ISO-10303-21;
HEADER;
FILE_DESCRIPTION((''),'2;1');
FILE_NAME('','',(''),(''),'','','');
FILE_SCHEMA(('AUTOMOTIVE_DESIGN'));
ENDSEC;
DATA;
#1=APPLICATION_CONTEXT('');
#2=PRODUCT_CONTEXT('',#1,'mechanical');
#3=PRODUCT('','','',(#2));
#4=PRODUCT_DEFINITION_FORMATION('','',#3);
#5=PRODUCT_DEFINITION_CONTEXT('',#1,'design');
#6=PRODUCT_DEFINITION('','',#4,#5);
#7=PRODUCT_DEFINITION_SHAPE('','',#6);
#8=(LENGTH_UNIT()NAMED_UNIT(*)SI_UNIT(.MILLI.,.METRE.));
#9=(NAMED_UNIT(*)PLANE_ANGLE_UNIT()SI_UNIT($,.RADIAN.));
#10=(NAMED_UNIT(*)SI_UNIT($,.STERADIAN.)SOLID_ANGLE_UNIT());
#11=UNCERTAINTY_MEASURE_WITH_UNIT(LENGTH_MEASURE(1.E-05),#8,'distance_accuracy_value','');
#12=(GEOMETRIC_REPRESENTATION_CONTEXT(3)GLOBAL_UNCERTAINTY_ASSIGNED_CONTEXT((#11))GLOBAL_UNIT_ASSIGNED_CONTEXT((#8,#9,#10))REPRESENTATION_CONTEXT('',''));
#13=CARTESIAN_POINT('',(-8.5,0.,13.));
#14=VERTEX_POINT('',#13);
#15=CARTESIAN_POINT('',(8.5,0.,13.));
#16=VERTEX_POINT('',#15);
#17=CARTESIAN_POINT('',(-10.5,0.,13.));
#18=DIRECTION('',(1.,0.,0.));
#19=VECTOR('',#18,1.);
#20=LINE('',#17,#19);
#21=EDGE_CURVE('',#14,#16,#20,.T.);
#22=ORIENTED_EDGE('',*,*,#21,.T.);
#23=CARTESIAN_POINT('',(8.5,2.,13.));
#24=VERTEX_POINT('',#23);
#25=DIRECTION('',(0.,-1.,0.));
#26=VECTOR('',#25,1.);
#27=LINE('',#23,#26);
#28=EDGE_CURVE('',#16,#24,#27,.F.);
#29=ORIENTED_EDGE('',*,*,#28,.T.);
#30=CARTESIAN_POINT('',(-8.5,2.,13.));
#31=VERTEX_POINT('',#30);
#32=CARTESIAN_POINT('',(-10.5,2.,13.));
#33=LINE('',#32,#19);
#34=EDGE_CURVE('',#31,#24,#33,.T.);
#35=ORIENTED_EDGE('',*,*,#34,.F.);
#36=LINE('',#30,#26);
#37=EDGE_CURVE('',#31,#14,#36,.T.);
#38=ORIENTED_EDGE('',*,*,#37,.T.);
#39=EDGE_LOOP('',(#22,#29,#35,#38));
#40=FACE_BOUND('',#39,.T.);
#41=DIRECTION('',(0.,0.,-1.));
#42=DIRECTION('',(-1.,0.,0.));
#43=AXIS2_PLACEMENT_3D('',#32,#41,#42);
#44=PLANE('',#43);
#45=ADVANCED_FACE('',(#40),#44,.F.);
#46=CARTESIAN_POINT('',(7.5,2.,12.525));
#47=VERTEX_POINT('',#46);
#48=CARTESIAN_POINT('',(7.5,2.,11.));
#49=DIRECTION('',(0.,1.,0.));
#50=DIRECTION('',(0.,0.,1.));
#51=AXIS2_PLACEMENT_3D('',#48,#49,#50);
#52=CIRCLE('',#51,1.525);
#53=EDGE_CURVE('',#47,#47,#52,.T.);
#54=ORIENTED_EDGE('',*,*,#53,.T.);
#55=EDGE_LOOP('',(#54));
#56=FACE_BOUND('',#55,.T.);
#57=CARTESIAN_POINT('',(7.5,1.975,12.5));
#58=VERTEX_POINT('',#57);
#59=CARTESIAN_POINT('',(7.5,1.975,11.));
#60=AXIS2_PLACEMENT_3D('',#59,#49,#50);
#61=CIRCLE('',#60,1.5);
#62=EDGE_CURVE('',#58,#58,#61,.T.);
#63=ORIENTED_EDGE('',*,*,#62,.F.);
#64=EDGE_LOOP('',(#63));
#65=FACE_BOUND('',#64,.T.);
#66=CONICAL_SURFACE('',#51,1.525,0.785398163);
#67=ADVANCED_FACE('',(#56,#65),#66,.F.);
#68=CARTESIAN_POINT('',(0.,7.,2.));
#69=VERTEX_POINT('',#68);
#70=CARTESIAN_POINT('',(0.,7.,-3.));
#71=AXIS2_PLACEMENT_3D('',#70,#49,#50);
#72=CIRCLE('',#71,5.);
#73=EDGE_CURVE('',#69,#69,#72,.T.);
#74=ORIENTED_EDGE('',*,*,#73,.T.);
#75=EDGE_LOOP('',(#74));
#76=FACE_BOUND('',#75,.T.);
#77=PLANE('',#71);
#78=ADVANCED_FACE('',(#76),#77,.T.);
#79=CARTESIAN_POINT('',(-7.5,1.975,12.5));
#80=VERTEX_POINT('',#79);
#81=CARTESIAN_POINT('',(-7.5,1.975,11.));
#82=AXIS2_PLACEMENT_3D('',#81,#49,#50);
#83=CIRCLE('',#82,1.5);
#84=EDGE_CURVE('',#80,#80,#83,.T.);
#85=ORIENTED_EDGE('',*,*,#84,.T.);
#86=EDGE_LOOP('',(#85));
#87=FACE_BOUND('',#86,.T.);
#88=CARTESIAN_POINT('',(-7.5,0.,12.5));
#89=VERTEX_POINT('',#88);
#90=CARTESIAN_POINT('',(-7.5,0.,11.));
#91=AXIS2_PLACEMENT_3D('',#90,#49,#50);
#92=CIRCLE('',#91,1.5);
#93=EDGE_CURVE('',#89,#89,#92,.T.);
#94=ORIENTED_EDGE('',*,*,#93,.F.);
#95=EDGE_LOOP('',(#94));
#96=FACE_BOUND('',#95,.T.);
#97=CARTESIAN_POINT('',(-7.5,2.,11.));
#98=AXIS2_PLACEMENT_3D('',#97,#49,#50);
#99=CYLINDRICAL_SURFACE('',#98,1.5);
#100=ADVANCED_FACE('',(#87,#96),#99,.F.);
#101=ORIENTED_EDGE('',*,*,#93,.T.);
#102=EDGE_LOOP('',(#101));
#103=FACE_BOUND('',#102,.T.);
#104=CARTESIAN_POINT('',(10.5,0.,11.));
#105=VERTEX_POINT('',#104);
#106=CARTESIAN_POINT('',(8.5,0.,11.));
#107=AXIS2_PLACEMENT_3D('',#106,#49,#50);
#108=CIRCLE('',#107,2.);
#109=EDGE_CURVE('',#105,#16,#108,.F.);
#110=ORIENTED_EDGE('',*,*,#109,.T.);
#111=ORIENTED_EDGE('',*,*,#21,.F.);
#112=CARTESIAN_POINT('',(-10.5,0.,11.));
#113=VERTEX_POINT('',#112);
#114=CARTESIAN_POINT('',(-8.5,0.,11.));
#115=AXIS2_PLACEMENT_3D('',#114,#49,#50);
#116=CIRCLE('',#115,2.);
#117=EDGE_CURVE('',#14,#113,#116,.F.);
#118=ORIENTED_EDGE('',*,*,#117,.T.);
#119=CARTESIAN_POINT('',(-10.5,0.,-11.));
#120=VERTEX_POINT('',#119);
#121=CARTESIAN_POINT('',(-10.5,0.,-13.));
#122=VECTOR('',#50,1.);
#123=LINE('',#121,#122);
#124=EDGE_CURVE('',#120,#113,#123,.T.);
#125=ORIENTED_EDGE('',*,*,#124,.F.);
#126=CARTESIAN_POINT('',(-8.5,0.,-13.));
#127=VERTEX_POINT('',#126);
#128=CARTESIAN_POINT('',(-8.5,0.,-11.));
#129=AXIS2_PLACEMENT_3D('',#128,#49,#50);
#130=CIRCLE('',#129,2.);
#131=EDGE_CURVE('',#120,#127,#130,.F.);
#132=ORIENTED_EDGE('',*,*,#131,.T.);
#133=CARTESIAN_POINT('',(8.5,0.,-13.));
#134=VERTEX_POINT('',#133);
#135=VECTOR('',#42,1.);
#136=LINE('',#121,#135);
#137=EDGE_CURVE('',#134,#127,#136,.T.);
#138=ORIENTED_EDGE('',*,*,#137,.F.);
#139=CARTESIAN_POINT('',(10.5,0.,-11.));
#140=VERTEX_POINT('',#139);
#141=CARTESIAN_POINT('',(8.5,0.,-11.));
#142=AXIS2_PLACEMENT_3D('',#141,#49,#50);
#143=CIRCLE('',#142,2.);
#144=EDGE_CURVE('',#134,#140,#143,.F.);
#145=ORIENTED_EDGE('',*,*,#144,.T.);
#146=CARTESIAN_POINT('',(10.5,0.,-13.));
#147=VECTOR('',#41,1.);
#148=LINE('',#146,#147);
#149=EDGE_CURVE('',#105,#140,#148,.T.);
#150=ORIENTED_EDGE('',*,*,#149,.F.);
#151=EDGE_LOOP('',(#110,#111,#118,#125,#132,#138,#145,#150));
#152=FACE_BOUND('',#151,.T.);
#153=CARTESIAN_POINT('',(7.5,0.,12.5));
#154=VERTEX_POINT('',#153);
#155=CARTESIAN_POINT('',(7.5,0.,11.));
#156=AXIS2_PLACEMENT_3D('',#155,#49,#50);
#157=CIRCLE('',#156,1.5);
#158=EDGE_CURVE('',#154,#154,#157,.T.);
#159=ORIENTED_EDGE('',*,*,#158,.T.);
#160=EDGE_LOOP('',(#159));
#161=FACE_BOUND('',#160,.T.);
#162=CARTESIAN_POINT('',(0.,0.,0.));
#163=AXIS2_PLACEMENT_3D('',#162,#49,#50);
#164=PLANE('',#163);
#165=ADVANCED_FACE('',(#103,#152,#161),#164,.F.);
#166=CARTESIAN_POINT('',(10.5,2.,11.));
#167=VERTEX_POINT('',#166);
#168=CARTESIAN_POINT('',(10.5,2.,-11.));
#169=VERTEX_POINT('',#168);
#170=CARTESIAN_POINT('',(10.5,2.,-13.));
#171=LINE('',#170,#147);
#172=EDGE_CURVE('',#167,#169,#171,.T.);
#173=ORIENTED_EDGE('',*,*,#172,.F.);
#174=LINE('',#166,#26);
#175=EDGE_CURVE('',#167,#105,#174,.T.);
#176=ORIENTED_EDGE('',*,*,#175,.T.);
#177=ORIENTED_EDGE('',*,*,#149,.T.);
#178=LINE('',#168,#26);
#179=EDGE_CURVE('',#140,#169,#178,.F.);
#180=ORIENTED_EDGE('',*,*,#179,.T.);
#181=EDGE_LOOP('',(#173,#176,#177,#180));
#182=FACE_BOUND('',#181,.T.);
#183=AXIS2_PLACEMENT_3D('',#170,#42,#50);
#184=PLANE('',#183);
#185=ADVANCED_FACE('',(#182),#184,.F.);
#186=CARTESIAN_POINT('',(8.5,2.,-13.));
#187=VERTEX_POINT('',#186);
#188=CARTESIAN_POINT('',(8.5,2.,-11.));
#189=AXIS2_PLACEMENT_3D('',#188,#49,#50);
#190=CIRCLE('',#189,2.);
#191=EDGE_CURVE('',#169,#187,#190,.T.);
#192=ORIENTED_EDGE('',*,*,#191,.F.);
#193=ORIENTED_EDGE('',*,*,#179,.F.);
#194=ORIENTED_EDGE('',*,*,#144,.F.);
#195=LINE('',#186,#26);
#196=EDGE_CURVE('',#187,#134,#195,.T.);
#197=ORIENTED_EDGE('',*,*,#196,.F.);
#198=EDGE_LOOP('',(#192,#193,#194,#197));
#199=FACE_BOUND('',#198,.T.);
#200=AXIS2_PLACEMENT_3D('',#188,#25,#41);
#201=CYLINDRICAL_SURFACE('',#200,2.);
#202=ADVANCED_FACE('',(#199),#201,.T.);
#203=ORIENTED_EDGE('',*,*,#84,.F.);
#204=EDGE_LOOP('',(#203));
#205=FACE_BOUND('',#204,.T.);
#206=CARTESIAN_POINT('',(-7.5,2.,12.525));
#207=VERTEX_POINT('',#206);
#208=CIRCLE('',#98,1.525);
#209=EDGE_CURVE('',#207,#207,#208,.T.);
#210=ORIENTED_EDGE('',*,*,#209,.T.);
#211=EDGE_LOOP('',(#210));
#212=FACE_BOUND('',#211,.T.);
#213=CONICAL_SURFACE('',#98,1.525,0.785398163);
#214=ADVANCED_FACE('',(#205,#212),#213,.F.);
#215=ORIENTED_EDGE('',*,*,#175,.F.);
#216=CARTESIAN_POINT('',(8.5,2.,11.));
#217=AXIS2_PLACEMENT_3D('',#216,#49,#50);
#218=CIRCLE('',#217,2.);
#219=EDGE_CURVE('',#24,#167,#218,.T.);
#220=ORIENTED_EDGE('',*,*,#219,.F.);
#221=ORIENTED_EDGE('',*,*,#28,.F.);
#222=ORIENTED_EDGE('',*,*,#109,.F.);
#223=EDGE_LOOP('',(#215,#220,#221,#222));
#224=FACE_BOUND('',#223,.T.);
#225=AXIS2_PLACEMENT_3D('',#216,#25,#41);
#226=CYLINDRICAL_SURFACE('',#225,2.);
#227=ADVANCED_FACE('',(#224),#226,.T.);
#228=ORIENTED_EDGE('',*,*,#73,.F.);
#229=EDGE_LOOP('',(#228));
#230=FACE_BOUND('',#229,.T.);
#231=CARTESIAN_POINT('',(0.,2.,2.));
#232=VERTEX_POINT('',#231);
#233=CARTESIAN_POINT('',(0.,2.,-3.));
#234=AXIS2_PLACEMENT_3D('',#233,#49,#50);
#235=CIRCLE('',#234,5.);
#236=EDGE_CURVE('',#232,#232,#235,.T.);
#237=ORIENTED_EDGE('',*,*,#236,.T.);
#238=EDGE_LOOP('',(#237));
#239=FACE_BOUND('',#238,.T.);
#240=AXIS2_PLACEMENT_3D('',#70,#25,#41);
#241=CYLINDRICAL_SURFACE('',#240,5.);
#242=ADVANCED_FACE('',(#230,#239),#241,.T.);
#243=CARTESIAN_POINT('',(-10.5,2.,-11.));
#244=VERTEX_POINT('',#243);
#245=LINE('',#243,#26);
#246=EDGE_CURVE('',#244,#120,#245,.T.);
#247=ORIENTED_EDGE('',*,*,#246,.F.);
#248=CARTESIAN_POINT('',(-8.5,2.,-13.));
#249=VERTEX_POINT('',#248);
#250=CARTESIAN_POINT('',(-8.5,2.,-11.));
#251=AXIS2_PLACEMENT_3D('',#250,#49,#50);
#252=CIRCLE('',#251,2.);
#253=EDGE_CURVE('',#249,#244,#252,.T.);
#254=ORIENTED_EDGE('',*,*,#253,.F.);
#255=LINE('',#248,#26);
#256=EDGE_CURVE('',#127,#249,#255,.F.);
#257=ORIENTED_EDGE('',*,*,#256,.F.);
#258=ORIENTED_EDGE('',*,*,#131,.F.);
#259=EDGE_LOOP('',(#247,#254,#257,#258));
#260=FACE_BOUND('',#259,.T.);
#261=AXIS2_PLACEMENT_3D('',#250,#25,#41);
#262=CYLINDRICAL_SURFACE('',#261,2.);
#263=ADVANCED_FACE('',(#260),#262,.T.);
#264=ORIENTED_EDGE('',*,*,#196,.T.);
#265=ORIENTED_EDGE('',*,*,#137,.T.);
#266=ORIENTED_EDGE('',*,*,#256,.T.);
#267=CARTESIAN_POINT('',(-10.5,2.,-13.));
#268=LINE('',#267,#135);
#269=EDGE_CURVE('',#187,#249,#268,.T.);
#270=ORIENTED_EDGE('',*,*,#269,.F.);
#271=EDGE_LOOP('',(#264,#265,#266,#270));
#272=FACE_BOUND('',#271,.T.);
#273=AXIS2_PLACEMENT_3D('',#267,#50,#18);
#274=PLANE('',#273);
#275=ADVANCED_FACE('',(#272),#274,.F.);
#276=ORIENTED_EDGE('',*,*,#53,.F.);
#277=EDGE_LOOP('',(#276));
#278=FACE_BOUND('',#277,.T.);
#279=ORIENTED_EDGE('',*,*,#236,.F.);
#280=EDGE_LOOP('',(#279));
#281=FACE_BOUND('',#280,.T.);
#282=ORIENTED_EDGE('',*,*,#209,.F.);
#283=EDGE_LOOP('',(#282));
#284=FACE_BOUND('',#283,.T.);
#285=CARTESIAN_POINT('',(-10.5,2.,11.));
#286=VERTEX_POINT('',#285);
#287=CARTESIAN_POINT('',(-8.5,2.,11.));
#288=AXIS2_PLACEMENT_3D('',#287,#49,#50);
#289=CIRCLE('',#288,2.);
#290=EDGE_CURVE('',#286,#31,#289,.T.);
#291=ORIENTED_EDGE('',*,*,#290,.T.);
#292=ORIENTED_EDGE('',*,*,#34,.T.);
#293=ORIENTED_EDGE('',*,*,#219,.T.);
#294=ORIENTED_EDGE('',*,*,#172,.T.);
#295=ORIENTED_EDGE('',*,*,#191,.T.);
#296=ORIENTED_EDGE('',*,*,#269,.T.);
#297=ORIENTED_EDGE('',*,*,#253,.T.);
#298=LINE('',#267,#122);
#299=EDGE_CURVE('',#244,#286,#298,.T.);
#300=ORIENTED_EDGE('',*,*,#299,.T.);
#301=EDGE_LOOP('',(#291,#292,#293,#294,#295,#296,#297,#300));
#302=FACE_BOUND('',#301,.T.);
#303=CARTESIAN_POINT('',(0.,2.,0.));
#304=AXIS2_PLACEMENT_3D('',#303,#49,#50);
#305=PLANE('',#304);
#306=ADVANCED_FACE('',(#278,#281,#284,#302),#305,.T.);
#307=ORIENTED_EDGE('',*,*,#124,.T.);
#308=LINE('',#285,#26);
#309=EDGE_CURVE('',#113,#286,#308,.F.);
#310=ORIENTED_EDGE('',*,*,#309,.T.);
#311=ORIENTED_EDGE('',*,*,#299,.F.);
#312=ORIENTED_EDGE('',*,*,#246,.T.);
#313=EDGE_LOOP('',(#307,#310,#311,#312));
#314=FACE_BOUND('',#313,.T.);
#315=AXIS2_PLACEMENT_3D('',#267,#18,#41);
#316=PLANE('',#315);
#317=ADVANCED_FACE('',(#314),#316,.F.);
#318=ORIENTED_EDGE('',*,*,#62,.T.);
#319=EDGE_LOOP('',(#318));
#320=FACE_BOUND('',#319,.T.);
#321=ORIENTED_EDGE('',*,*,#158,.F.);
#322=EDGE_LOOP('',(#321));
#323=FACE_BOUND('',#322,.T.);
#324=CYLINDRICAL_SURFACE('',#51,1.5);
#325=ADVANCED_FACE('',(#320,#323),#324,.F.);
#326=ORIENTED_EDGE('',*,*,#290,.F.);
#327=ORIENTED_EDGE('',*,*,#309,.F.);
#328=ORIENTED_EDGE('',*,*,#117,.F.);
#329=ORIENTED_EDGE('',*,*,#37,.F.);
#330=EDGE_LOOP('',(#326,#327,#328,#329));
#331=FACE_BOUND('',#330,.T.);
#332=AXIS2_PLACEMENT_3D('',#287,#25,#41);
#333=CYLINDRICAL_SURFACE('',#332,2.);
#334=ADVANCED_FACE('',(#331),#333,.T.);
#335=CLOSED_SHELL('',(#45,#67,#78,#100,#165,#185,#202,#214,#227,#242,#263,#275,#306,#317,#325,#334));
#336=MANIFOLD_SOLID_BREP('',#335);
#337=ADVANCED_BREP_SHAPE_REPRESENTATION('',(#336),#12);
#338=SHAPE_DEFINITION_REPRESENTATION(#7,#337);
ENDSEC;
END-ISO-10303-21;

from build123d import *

# Parameters (mm, degrees)
SKETCH1_W                          = 21
SKETCH1_H                          = 26
BOSS_EXTRUDE1_DEPTH                = 2
FILLET1_R                          = 2
SKETCH2_R                          = 5
BOSS_EXTRUDE2_DEPTH                = 5
F_3_0_3_DIAMETER_HOLE1_D           = 3
F_3_0_3_DIAMETER_HOLE1_CSINK_D     = 3.05
F_3_0_3_DIAMETER_HOLE1_CSINK_ANGLE = 90


with BuildPart() as part:
    # Sketch1 → Boss-Extrude1 (new body)
    with BuildSketch(Plane(origin=(0, 0, 0), x_dir=(1, 0, 0), z_dir=(0, 1, 0))):
        Rectangle(SKETCH1_W, SKETCH1_H)
    extrude(amount=BOSS_EXTRUDE1_DEPTH)

    # Fillet1
    fillet1_edges = [part.edges().sort_by_distance(p)[0] for p in [
        (10.5, 1, 13),
        (-10.5, 1, 13),
        (-10.5, 1, -13),
        (10.5, 1, -13),
    ]]
    fillet(fillet1_edges, radius=FILLET1_R)

    # Sketch2 → Boss-Extrude2 (add)
    with BuildSketch(Plane(origin=(0, 2, 0), x_dir=(1, 0, 0), z_dir=(0, 1, 0))):
        with Locations(Location((0, 3, 0), (0, 0, 270))):
            Circle(SKETCH2_R)
    extrude(amount=BOSS_EXTRUDE2_DEPTH)

    # Ø3.0 (3) Diameter Hole1 (through all)
    with Locations(Plane(origin=(0, 2, 0), x_dir=(1, 0, 0), z_dir=(0, 1, 0))):
        with Locations((-7.5, -11), (7.5, -11)):
            CounterSinkHole(F_3_0_3_DIAMETER_HOLE1_D / 2, F_3_0_3_DIAMETER_HOLE1_CSINK_D / 2, counter_sink_angle=F_3_0_3_DIAMETER_HOLE1_CSINK_ANGLE)


solid = part.part
